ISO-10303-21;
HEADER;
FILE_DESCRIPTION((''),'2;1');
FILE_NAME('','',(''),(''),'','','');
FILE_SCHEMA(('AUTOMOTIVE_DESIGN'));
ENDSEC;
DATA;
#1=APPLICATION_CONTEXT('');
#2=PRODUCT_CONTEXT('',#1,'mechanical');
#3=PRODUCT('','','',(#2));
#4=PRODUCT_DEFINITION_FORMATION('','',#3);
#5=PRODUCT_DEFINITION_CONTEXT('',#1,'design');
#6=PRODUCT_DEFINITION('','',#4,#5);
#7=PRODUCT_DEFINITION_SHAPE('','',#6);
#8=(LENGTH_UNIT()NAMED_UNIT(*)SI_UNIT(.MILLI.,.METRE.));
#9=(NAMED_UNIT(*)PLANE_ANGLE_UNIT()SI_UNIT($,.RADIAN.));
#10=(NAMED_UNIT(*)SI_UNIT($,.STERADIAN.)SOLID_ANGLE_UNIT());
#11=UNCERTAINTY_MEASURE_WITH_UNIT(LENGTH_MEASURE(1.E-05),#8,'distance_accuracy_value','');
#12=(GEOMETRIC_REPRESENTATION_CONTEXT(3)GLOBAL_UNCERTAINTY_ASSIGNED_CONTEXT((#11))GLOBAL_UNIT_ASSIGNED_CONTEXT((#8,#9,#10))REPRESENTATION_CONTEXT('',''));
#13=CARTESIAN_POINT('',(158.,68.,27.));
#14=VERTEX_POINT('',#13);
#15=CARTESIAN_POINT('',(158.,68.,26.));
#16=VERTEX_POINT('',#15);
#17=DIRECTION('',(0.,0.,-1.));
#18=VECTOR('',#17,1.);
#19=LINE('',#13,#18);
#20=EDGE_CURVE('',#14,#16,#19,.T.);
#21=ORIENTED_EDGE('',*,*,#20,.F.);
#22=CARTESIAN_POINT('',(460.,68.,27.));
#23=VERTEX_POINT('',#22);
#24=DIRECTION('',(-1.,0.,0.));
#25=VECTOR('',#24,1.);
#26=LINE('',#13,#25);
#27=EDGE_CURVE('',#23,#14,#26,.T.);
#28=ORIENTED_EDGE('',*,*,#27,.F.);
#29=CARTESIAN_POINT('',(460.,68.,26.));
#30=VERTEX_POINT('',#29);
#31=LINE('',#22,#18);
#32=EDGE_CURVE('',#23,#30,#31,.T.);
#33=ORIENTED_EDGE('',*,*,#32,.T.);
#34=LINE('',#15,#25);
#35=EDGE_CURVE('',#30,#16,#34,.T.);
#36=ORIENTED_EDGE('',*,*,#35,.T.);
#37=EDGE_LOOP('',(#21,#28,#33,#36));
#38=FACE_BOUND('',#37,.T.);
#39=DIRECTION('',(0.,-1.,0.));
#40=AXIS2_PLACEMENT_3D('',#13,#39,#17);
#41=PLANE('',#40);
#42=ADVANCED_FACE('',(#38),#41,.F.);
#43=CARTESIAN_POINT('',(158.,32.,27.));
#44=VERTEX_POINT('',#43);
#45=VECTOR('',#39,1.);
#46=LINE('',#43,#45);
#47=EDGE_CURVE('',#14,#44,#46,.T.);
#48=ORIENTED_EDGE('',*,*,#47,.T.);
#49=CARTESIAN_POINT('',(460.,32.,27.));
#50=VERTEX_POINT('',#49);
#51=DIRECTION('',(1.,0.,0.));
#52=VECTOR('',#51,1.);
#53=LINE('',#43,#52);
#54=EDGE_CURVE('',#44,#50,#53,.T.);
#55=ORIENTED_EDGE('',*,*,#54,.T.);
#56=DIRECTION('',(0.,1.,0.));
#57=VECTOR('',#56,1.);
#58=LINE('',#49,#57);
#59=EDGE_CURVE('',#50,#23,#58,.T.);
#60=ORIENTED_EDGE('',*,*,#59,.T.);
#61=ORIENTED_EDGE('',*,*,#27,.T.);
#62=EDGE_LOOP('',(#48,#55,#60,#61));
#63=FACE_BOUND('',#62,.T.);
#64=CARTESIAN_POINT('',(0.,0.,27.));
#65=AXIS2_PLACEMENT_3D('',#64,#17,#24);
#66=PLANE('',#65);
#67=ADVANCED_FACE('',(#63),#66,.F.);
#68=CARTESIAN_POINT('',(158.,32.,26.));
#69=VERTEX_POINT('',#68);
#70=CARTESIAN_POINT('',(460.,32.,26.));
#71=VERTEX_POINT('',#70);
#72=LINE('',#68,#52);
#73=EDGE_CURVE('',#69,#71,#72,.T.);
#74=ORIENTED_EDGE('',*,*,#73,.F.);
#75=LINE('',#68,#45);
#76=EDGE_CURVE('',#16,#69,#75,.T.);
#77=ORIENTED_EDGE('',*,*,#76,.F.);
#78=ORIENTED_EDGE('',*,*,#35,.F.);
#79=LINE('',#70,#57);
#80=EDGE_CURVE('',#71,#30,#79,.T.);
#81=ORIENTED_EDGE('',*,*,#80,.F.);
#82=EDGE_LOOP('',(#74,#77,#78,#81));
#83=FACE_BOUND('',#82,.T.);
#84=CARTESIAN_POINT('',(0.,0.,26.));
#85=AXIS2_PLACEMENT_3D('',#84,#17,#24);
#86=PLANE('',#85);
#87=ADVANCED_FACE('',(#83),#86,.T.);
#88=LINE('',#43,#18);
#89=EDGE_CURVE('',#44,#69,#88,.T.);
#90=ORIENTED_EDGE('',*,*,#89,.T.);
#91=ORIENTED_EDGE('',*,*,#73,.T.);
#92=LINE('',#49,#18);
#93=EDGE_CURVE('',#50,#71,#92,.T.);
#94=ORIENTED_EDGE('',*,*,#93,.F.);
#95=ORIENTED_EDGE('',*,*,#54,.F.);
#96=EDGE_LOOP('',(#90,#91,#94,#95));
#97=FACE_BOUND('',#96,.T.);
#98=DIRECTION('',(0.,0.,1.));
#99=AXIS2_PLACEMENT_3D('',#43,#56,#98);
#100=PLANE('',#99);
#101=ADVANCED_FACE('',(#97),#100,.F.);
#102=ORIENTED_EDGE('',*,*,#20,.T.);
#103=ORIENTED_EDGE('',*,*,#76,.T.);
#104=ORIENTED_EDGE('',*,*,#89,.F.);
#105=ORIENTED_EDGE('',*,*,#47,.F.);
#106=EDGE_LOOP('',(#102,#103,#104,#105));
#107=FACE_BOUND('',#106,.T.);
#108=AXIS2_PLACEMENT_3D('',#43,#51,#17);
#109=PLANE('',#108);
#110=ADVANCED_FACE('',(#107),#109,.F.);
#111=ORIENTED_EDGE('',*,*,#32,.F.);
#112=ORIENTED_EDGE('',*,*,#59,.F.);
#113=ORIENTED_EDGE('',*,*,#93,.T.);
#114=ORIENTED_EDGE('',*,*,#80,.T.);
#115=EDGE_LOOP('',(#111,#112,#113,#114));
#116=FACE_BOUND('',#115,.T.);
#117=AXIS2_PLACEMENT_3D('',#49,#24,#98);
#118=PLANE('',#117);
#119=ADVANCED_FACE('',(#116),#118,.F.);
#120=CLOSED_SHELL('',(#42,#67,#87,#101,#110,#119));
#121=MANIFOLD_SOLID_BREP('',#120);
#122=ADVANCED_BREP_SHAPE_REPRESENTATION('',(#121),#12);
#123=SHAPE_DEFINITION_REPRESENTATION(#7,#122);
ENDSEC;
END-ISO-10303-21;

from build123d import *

# Parameters (mm, degrees)
CEK_TAZE_KULP_CUKURU_1_0_1_START = 26
SKETCH1_W                        = 302
SKETCH1_H                        = 36
CEK_TAZE_KULP_CUKURU_1_0_1_DEPTH = 1


with BuildPart() as part:
    # Sketch1 → CEK_taze_kulp_cukuru_1.0_1 (new body)
    with BuildSketch(Plane.XY.offset(CEK_TAZE_KULP_CUKURU_1_0_1_START)):
        with Locations((309, 50)):
            Rectangle(SKETCH1_W, SKETCH1_H)
    extrude(amount=CEK_TAZE_KULP_CUKURU_1_0_1_DEPTH)


solid = part.part
